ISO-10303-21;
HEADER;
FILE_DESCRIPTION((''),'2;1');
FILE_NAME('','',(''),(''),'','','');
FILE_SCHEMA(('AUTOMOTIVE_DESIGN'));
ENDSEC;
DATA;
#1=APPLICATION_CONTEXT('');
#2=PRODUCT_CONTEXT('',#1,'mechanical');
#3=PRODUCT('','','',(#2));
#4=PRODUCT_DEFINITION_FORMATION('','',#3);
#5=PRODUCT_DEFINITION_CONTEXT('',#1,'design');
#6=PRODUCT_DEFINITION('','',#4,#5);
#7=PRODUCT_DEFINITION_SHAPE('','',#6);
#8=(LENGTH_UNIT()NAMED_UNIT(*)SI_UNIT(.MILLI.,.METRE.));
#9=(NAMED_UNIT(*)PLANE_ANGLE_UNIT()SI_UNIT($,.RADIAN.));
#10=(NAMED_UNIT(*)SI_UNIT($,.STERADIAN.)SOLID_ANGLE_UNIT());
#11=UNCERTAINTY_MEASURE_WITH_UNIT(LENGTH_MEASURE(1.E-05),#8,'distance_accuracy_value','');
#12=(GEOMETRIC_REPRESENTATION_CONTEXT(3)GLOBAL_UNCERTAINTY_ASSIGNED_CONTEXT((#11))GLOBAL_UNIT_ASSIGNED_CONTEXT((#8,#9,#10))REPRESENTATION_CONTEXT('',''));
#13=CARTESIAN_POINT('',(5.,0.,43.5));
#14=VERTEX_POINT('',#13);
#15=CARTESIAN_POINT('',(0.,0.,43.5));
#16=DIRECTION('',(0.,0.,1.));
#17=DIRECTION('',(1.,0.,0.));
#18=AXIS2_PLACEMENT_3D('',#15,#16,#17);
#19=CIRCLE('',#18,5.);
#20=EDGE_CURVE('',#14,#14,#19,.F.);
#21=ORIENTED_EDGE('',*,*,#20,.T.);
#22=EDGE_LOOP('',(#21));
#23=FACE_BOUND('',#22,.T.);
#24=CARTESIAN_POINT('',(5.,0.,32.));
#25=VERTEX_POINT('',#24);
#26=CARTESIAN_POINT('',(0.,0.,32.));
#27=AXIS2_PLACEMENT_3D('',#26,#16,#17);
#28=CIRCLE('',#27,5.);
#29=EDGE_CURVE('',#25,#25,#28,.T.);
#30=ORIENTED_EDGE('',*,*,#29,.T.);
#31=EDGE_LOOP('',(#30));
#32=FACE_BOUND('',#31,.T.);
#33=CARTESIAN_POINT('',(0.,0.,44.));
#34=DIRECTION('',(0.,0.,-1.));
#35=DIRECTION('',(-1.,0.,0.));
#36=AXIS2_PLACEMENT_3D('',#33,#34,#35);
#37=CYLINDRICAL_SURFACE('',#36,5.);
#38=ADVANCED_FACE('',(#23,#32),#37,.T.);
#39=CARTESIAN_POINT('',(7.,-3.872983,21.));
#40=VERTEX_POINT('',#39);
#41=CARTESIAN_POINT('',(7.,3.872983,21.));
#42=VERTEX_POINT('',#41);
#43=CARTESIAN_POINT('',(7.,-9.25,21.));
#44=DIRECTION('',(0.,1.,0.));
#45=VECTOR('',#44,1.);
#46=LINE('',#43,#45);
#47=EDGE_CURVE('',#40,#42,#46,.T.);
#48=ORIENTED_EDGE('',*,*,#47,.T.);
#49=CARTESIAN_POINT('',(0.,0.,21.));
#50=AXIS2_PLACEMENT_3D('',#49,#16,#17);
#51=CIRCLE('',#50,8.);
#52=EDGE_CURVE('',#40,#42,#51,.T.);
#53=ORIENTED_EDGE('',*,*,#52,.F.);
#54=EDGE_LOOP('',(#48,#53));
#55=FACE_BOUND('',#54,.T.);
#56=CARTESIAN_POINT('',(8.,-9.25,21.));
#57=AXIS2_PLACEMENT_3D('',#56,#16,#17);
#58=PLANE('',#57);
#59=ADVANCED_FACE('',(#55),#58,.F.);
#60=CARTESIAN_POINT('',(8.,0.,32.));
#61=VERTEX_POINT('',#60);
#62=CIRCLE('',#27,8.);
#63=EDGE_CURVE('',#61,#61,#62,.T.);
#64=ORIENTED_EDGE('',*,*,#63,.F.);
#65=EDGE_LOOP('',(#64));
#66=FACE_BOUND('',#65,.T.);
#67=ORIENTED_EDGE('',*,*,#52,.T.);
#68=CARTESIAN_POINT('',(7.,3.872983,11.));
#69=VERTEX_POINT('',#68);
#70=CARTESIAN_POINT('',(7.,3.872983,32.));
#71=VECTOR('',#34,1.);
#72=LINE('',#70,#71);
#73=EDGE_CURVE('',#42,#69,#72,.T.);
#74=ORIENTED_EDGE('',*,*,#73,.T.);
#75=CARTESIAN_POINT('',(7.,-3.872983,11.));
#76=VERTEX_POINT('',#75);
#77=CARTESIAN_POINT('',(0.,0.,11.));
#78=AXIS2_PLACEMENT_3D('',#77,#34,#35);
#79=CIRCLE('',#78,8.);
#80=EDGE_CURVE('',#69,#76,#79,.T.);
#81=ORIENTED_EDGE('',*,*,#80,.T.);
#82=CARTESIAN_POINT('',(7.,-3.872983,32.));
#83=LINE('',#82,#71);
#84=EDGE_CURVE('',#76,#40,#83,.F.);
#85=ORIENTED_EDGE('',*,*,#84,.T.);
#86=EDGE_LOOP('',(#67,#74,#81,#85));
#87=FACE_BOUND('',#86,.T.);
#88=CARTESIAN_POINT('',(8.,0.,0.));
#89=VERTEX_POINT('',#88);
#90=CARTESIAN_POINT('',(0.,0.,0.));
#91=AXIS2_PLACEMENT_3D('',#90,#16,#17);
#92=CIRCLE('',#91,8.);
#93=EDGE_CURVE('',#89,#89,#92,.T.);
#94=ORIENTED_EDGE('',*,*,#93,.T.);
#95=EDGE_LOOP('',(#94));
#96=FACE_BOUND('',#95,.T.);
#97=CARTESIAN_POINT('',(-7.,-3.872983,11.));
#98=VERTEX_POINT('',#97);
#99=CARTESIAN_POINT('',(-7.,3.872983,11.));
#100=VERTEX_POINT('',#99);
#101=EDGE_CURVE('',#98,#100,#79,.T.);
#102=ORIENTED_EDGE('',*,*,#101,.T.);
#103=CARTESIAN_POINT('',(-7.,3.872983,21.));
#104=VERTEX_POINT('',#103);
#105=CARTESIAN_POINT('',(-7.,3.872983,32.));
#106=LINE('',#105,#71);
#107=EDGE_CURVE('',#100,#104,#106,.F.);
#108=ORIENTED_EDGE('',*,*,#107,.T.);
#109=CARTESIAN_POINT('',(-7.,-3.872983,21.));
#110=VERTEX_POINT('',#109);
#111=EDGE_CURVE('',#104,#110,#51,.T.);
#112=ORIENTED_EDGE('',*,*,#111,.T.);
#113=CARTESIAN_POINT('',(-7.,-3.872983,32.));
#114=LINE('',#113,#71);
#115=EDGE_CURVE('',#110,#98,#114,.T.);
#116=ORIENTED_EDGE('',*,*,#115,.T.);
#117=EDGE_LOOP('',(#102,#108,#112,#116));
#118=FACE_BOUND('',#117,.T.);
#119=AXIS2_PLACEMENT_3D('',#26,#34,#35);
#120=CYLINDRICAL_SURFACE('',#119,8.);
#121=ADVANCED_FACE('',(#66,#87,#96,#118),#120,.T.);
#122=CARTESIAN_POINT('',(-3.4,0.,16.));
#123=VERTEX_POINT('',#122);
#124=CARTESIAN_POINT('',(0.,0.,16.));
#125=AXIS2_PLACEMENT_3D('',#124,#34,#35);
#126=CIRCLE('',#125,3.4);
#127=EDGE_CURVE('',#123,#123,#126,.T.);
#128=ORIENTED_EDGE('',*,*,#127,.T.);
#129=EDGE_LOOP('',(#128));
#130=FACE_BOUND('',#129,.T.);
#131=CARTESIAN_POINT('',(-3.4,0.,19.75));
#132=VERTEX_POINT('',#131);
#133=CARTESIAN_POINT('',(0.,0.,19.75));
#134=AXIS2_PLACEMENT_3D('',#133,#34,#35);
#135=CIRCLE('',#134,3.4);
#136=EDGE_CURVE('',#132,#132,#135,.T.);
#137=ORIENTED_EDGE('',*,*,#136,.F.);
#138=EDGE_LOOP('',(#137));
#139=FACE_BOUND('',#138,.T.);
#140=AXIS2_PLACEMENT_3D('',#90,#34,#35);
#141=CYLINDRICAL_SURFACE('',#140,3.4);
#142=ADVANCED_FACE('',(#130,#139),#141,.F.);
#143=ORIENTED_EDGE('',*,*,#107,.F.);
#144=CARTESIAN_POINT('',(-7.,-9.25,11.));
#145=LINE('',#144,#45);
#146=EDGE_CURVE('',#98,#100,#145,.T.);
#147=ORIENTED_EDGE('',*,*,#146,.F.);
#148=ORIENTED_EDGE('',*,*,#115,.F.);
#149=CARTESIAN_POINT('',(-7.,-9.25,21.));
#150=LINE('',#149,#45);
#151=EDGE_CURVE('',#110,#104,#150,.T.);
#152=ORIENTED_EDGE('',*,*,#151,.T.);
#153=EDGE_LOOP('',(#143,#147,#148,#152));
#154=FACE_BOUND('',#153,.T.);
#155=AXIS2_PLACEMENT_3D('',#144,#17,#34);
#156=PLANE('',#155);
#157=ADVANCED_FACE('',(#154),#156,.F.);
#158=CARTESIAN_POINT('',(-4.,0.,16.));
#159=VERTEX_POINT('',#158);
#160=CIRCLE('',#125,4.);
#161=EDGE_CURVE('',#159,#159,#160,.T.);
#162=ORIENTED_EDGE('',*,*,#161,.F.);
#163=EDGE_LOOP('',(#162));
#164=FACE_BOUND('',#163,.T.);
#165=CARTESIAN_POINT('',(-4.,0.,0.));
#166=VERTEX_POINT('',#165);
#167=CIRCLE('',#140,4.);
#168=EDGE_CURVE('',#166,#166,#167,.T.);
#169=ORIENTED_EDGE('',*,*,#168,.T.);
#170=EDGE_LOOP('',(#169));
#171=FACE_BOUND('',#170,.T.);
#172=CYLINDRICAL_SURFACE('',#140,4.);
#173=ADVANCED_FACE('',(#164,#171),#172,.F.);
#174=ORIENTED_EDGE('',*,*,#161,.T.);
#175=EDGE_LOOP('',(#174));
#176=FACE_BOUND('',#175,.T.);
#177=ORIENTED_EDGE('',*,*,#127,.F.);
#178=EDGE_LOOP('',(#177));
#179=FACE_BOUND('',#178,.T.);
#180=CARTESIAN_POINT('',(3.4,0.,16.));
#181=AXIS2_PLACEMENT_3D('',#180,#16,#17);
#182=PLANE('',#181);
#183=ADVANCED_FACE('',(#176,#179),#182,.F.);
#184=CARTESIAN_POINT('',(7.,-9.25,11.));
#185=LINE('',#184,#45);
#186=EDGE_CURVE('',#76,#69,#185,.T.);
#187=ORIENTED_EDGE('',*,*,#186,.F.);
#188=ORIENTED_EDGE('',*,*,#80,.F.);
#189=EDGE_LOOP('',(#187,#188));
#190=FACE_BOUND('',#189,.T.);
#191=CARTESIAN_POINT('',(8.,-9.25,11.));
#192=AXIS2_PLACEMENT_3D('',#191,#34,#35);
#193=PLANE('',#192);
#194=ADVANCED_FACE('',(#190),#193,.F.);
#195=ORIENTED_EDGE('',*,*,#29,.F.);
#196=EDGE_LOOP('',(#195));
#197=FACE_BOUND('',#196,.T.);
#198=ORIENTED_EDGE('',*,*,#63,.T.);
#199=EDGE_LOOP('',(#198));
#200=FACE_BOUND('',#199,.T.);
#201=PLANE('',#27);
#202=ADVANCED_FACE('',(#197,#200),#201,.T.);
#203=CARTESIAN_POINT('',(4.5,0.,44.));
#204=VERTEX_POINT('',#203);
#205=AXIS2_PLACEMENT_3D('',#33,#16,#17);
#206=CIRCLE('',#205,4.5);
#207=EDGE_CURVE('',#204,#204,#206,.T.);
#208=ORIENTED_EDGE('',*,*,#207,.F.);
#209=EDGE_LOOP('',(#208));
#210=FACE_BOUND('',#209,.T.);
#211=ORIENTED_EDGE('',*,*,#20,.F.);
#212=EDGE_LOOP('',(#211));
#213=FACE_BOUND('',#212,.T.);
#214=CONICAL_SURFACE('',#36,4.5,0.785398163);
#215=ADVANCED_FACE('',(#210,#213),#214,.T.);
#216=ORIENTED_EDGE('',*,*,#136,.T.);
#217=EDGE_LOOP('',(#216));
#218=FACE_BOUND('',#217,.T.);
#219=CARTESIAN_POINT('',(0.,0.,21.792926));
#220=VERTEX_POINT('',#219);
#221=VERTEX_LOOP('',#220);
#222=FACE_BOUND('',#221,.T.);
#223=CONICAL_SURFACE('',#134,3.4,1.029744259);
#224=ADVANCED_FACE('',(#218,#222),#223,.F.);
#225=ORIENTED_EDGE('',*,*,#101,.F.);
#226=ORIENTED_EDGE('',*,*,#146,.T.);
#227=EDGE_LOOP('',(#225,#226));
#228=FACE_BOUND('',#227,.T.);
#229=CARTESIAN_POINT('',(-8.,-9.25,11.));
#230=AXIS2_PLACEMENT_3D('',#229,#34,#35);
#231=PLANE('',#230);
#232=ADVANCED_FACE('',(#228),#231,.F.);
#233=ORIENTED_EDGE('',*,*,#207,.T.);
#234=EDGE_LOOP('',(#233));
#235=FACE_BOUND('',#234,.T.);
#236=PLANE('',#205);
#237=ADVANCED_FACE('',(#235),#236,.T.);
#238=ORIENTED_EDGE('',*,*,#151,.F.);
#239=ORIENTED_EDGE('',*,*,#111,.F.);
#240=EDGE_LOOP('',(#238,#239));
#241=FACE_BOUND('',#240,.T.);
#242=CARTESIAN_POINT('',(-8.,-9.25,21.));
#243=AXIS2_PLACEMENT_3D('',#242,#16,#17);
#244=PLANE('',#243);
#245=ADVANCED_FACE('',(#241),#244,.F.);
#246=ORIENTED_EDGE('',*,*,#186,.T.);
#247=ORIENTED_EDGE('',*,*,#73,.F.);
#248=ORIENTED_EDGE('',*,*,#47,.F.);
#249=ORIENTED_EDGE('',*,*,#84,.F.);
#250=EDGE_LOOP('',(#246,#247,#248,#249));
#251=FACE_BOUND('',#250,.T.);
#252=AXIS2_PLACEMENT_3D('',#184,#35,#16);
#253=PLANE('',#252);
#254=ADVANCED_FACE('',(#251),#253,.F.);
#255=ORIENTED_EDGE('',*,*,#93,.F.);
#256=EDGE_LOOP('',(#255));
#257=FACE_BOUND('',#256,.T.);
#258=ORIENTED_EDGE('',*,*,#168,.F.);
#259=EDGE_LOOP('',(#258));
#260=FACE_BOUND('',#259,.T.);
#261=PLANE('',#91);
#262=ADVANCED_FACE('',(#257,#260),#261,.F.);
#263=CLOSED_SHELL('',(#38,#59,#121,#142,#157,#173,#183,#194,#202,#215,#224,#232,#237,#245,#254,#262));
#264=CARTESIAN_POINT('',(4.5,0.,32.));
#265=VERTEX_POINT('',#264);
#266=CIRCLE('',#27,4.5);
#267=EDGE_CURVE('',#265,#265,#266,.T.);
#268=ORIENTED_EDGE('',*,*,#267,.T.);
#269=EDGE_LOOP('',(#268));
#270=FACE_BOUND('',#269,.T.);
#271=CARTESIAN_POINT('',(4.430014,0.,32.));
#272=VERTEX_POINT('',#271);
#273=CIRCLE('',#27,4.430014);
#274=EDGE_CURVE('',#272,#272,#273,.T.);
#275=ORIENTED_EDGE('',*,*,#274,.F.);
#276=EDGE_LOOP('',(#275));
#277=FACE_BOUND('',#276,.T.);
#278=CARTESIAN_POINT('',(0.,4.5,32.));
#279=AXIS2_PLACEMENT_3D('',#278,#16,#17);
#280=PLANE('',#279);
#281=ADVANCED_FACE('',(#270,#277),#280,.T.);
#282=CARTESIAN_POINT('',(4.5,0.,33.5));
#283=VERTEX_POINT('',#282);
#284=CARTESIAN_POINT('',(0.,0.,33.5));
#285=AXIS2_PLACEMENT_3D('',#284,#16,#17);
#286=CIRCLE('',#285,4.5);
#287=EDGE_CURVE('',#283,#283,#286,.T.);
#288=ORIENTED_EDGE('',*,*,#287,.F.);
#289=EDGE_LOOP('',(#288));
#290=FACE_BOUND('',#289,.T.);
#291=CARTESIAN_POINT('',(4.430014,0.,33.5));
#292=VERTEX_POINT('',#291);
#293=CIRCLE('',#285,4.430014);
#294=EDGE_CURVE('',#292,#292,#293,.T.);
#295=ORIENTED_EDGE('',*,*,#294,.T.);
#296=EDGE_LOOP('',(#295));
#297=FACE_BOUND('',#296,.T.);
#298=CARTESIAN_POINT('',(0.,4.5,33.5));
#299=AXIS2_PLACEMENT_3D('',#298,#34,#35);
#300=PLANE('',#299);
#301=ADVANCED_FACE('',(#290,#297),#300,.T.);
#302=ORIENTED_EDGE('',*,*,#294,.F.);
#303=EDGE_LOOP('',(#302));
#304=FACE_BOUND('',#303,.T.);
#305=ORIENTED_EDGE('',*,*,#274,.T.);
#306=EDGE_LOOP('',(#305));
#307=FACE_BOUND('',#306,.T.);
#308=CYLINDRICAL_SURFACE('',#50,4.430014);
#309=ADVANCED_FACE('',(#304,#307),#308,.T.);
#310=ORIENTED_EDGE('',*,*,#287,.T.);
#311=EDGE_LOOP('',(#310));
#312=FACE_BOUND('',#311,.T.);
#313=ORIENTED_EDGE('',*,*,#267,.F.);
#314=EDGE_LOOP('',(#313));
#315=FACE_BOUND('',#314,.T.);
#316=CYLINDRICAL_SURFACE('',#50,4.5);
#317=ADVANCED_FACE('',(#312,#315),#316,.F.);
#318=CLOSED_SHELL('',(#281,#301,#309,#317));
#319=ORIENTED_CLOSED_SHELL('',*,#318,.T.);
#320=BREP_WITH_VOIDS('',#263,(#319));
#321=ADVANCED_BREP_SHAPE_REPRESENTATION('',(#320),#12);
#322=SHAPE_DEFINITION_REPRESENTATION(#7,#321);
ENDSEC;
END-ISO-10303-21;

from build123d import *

# Parameters (mm, degrees)
SKETCH_1_R                   = 8
EXTRUDE_1_DEPTH              = 32
SKETCH_2_W                   = 1
SKETCH_2_H                   = 10
CUT_EXTRUDE_2_DEPTH          = 9.25
HOLE_WIZARD_M8_1_D           = 6.8
HOLE_WIZARD_M8_1_DEPTH       = 19.75
HOLE_WIZARD_M8_1_CBORE_D     = 8
HOLE_WIZARD_M8_1_CBORE_DEPTH = 16
HOLE_WIZARD_M8_1_TIP         = 2.042926105
SKETCH_4_R                   = 5
EXTRUDE_3_DEPTH              = 12
CHAMFER_1_SIZE               = 0.5
SKETCH_5_W                   = 1.5
SKETCH_5_H                   = 0.069985642


with BuildPart() as part:
    # 草图1 → 拉伸1 (new body)
    with BuildSketch(Plane.XY):
        Circle(SKETCH_1_R)
    extrude(amount=EXTRUDE_1_DEPTH)

    # 草图2 → 拉伸2 (cut, symmetric)
    with BuildSketch(Plane(origin=(0, 0, 0), x_dir=(1, 0, 0), z_dir=(0, 1, 0))):
        with Locations((-7.5, -16)):
            Rectangle(SKETCH_2_W, SKETCH_2_H)
        with Locations((7.5, -16)):
            Rectangle(SKETCH_2_W, SKETCH_2_H)
    extrude(amount=CUT_EXTRUDE_2_DEPTH, both=True, mode=Mode.SUBTRACT)

    # M8 螺纹孔1
    with Locations(Plane(origin=(0, 0, 0), x_dir=(-1, 0, 0), z_dir=(0, 0, -1))):
        with Locations((0, 0)):
            CounterBoreHole(HOLE_WIZARD_M8_1_D / 2, HOLE_WIZARD_M8_1_CBORE_D / 2, HOLE_WIZARD_M8_1_CBORE_DEPTH, depth=HOLE_WIZARD_M8_1_DEPTH)
            with Locations((0, 0, -(HOLE_WIZARD_M8_1_DEPTH + HOLE_WIZARD_M8_1_TIP / 2))):  # 118° drill point
                Cone(0, HOLE_WIZARD_M8_1_D / 2, HOLE_WIZARD_M8_1_TIP, mode=Mode.SUBTRACT)

    # 草图4 → 拉伸3 (add)
    with BuildSketch(Plane.XY.offset(32)):
        Circle(SKETCH_4_R)
    extrude(amount=EXTRUDE_3_DEPTH)

    # 倒角1
    chamfer_1_edges = [part.edges().sort_by_distance(p)[0] for p in [
        (-5, 0, 44),
    ]]
    chamfer(chamfer_1_edges, length=CHAMFER_1_SIZE)

    # 草图5 → 切除-旋转1 (revolve, cut)
    with BuildSketch(Plane(origin=(0, 0, 0), x_dir=(0, 0, -1), z_dir=(1, 0, 0)), mode=Mode.PRIVATE) as cut_revolve_1_sk:
        with Locations((-32.75, 4.465007179)):
            Rectangle(SKETCH_5_W, SKETCH_5_H)
    revolve(cut_revolve_1_sk.sketch.rotate(Axis((0, 0, 32), (0, 0, -1)), 90), axis=Axis((0, 0, 32), (0, 0, -1)), mode=Mode.SUBTRACT)


solid = part.part
